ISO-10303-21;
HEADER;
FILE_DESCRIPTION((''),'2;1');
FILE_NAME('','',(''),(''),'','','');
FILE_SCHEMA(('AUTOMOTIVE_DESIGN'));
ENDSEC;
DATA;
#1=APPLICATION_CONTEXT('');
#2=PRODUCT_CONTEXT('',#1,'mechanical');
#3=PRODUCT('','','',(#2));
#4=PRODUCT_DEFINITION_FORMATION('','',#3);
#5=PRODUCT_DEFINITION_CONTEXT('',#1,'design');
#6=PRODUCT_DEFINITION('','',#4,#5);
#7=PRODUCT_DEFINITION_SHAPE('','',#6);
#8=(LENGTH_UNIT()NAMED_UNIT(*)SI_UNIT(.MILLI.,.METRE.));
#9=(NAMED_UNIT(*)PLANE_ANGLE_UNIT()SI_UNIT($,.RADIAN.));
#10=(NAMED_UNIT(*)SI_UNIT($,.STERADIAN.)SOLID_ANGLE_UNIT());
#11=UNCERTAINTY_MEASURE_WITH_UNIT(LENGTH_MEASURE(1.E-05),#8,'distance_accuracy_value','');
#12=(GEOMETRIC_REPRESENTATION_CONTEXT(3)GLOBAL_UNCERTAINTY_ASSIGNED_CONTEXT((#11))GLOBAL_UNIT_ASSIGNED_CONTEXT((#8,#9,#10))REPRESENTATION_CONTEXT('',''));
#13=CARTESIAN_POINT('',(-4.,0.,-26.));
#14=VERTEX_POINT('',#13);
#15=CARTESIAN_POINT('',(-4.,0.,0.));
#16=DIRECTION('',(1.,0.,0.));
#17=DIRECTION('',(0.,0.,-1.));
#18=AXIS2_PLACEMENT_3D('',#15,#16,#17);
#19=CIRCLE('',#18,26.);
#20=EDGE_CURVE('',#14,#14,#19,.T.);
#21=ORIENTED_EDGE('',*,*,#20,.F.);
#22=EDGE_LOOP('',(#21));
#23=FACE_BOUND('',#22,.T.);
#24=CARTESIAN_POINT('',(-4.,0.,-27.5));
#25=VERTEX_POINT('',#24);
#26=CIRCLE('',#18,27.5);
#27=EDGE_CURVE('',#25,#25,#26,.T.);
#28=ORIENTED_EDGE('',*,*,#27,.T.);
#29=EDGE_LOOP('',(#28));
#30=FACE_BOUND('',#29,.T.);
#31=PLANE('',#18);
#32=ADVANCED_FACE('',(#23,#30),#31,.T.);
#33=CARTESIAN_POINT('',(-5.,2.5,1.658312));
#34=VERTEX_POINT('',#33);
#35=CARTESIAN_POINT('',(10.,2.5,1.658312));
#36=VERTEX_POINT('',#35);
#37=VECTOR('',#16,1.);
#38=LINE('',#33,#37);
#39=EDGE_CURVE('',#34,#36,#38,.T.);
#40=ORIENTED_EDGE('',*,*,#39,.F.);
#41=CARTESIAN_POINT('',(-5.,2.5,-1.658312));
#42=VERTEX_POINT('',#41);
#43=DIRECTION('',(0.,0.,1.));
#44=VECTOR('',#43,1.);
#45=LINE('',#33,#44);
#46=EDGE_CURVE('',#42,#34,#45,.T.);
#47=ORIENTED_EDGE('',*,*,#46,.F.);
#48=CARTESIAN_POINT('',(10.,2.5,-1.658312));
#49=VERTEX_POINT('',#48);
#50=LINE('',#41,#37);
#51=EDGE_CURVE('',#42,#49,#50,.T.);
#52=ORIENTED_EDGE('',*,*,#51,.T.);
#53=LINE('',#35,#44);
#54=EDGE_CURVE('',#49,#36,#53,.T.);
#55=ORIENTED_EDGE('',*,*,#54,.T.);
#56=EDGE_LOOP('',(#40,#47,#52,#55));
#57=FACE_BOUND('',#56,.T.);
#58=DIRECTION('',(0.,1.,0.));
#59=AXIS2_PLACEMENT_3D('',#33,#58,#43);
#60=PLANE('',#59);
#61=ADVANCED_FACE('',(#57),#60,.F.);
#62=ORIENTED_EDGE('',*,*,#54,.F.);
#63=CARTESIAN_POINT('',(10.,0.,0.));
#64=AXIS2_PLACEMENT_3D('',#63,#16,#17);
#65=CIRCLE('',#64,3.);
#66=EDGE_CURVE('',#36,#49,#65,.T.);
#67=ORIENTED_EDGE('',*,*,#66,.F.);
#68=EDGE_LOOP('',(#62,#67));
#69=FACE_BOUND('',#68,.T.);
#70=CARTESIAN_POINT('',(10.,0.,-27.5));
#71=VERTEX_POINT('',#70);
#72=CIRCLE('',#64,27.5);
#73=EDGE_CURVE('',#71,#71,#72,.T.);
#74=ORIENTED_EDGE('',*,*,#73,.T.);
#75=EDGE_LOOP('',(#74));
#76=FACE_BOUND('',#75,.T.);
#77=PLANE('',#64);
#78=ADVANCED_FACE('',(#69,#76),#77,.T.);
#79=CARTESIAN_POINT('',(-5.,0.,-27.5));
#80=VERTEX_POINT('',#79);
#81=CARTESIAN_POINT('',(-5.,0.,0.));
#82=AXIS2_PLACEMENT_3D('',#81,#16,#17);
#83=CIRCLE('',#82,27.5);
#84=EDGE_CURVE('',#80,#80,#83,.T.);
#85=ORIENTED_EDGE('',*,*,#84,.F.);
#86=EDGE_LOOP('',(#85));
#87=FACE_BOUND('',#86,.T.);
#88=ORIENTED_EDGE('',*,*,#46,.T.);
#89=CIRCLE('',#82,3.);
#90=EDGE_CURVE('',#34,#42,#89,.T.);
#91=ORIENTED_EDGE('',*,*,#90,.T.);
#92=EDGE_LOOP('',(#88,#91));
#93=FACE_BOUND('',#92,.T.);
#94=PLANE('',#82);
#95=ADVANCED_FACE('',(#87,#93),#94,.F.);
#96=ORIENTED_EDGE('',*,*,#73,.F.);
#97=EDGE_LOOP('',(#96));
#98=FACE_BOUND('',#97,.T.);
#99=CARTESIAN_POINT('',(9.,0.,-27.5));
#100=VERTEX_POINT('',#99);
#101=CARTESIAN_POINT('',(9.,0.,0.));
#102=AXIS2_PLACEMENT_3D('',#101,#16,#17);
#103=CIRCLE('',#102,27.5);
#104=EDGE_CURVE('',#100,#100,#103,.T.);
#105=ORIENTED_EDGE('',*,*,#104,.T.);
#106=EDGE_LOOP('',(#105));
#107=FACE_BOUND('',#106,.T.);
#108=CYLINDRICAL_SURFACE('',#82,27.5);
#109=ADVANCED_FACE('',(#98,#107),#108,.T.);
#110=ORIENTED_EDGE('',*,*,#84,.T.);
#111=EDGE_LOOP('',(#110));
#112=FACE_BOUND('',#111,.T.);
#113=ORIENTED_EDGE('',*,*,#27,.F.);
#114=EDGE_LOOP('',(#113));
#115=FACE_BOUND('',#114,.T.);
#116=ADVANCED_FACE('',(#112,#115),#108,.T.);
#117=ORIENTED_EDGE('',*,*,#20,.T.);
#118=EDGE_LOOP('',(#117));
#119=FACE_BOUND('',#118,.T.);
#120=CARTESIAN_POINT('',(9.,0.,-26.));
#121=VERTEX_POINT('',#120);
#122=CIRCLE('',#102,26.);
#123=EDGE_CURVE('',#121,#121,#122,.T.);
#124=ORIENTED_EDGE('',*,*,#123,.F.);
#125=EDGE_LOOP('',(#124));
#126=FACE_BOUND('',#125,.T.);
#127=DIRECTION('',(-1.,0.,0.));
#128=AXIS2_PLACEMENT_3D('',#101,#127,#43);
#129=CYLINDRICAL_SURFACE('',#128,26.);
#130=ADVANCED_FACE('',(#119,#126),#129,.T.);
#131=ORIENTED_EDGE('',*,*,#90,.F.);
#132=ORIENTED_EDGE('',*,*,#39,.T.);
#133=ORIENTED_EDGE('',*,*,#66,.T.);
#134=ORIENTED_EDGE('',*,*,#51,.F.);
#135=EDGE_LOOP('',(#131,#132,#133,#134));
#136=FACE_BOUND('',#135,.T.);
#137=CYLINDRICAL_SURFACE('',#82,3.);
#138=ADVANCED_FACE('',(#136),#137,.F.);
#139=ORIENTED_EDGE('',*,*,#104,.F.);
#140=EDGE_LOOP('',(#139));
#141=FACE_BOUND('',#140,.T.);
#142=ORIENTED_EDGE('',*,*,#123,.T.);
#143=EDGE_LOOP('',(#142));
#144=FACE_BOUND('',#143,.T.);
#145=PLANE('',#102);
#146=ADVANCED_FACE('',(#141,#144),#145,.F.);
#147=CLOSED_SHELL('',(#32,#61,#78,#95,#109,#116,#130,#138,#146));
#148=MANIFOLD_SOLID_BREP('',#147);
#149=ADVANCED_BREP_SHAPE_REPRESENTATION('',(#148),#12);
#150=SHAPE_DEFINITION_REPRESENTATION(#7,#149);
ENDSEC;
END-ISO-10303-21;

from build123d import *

# Parameters (mm, degrees)
BASE_DEPTH           = 10
BASE_DEPTH_BACK      = 5
ESQUISSE1_R          = 27.5
VIDE_PNEU_DEPTH      = 9
VIDE_PNEU_DEPTH_BACK = 4
ESQUISSE4_R          = 27.5
ESQUISSE4_R_2        = 26


with BuildPart() as part:
    # Esquisse1 → BASE (new, two sides: drawn at the far end of the back side and taken through both)
    with BuildSketch(Plane(origin=(0, 0, 0), x_dir=(0, 0, -1), z_dir=(1, 0, 0)).offset(-BASE_DEPTH_BACK)):
        Circle(ESQUISSE1_R)
        with BuildLine():
            Line((-1.658312395, 2.5), (1.658312395, 2.5))
            ThreePointArc((1.658312395, 2.5), (0, -3), (-1.658312395, 2.5))
        make_face(mode=Mode.SUBTRACT)
    extrude(amount=BASE_DEPTH + BASE_DEPTH_BACK)

    # Esquisse4 → VIDE PNEU (cut, two sides: drawn at the far end of the back side and taken through both)
    with BuildSketch(Plane(origin=(0, 0, 0), x_dir=(0, 0, -1), z_dir=(1, 0, 0)).offset(-VIDE_PNEU_DEPTH_BACK)):
        Circle(ESQUISSE4_R)
        Circle(ESQUISSE4_R_2, mode=Mode.SUBTRACT)
    extrude(amount=VIDE_PNEU_DEPTH + VIDE_PNEU_DEPTH_BACK, mode=Mode.SUBTRACT)


solid = part.part
